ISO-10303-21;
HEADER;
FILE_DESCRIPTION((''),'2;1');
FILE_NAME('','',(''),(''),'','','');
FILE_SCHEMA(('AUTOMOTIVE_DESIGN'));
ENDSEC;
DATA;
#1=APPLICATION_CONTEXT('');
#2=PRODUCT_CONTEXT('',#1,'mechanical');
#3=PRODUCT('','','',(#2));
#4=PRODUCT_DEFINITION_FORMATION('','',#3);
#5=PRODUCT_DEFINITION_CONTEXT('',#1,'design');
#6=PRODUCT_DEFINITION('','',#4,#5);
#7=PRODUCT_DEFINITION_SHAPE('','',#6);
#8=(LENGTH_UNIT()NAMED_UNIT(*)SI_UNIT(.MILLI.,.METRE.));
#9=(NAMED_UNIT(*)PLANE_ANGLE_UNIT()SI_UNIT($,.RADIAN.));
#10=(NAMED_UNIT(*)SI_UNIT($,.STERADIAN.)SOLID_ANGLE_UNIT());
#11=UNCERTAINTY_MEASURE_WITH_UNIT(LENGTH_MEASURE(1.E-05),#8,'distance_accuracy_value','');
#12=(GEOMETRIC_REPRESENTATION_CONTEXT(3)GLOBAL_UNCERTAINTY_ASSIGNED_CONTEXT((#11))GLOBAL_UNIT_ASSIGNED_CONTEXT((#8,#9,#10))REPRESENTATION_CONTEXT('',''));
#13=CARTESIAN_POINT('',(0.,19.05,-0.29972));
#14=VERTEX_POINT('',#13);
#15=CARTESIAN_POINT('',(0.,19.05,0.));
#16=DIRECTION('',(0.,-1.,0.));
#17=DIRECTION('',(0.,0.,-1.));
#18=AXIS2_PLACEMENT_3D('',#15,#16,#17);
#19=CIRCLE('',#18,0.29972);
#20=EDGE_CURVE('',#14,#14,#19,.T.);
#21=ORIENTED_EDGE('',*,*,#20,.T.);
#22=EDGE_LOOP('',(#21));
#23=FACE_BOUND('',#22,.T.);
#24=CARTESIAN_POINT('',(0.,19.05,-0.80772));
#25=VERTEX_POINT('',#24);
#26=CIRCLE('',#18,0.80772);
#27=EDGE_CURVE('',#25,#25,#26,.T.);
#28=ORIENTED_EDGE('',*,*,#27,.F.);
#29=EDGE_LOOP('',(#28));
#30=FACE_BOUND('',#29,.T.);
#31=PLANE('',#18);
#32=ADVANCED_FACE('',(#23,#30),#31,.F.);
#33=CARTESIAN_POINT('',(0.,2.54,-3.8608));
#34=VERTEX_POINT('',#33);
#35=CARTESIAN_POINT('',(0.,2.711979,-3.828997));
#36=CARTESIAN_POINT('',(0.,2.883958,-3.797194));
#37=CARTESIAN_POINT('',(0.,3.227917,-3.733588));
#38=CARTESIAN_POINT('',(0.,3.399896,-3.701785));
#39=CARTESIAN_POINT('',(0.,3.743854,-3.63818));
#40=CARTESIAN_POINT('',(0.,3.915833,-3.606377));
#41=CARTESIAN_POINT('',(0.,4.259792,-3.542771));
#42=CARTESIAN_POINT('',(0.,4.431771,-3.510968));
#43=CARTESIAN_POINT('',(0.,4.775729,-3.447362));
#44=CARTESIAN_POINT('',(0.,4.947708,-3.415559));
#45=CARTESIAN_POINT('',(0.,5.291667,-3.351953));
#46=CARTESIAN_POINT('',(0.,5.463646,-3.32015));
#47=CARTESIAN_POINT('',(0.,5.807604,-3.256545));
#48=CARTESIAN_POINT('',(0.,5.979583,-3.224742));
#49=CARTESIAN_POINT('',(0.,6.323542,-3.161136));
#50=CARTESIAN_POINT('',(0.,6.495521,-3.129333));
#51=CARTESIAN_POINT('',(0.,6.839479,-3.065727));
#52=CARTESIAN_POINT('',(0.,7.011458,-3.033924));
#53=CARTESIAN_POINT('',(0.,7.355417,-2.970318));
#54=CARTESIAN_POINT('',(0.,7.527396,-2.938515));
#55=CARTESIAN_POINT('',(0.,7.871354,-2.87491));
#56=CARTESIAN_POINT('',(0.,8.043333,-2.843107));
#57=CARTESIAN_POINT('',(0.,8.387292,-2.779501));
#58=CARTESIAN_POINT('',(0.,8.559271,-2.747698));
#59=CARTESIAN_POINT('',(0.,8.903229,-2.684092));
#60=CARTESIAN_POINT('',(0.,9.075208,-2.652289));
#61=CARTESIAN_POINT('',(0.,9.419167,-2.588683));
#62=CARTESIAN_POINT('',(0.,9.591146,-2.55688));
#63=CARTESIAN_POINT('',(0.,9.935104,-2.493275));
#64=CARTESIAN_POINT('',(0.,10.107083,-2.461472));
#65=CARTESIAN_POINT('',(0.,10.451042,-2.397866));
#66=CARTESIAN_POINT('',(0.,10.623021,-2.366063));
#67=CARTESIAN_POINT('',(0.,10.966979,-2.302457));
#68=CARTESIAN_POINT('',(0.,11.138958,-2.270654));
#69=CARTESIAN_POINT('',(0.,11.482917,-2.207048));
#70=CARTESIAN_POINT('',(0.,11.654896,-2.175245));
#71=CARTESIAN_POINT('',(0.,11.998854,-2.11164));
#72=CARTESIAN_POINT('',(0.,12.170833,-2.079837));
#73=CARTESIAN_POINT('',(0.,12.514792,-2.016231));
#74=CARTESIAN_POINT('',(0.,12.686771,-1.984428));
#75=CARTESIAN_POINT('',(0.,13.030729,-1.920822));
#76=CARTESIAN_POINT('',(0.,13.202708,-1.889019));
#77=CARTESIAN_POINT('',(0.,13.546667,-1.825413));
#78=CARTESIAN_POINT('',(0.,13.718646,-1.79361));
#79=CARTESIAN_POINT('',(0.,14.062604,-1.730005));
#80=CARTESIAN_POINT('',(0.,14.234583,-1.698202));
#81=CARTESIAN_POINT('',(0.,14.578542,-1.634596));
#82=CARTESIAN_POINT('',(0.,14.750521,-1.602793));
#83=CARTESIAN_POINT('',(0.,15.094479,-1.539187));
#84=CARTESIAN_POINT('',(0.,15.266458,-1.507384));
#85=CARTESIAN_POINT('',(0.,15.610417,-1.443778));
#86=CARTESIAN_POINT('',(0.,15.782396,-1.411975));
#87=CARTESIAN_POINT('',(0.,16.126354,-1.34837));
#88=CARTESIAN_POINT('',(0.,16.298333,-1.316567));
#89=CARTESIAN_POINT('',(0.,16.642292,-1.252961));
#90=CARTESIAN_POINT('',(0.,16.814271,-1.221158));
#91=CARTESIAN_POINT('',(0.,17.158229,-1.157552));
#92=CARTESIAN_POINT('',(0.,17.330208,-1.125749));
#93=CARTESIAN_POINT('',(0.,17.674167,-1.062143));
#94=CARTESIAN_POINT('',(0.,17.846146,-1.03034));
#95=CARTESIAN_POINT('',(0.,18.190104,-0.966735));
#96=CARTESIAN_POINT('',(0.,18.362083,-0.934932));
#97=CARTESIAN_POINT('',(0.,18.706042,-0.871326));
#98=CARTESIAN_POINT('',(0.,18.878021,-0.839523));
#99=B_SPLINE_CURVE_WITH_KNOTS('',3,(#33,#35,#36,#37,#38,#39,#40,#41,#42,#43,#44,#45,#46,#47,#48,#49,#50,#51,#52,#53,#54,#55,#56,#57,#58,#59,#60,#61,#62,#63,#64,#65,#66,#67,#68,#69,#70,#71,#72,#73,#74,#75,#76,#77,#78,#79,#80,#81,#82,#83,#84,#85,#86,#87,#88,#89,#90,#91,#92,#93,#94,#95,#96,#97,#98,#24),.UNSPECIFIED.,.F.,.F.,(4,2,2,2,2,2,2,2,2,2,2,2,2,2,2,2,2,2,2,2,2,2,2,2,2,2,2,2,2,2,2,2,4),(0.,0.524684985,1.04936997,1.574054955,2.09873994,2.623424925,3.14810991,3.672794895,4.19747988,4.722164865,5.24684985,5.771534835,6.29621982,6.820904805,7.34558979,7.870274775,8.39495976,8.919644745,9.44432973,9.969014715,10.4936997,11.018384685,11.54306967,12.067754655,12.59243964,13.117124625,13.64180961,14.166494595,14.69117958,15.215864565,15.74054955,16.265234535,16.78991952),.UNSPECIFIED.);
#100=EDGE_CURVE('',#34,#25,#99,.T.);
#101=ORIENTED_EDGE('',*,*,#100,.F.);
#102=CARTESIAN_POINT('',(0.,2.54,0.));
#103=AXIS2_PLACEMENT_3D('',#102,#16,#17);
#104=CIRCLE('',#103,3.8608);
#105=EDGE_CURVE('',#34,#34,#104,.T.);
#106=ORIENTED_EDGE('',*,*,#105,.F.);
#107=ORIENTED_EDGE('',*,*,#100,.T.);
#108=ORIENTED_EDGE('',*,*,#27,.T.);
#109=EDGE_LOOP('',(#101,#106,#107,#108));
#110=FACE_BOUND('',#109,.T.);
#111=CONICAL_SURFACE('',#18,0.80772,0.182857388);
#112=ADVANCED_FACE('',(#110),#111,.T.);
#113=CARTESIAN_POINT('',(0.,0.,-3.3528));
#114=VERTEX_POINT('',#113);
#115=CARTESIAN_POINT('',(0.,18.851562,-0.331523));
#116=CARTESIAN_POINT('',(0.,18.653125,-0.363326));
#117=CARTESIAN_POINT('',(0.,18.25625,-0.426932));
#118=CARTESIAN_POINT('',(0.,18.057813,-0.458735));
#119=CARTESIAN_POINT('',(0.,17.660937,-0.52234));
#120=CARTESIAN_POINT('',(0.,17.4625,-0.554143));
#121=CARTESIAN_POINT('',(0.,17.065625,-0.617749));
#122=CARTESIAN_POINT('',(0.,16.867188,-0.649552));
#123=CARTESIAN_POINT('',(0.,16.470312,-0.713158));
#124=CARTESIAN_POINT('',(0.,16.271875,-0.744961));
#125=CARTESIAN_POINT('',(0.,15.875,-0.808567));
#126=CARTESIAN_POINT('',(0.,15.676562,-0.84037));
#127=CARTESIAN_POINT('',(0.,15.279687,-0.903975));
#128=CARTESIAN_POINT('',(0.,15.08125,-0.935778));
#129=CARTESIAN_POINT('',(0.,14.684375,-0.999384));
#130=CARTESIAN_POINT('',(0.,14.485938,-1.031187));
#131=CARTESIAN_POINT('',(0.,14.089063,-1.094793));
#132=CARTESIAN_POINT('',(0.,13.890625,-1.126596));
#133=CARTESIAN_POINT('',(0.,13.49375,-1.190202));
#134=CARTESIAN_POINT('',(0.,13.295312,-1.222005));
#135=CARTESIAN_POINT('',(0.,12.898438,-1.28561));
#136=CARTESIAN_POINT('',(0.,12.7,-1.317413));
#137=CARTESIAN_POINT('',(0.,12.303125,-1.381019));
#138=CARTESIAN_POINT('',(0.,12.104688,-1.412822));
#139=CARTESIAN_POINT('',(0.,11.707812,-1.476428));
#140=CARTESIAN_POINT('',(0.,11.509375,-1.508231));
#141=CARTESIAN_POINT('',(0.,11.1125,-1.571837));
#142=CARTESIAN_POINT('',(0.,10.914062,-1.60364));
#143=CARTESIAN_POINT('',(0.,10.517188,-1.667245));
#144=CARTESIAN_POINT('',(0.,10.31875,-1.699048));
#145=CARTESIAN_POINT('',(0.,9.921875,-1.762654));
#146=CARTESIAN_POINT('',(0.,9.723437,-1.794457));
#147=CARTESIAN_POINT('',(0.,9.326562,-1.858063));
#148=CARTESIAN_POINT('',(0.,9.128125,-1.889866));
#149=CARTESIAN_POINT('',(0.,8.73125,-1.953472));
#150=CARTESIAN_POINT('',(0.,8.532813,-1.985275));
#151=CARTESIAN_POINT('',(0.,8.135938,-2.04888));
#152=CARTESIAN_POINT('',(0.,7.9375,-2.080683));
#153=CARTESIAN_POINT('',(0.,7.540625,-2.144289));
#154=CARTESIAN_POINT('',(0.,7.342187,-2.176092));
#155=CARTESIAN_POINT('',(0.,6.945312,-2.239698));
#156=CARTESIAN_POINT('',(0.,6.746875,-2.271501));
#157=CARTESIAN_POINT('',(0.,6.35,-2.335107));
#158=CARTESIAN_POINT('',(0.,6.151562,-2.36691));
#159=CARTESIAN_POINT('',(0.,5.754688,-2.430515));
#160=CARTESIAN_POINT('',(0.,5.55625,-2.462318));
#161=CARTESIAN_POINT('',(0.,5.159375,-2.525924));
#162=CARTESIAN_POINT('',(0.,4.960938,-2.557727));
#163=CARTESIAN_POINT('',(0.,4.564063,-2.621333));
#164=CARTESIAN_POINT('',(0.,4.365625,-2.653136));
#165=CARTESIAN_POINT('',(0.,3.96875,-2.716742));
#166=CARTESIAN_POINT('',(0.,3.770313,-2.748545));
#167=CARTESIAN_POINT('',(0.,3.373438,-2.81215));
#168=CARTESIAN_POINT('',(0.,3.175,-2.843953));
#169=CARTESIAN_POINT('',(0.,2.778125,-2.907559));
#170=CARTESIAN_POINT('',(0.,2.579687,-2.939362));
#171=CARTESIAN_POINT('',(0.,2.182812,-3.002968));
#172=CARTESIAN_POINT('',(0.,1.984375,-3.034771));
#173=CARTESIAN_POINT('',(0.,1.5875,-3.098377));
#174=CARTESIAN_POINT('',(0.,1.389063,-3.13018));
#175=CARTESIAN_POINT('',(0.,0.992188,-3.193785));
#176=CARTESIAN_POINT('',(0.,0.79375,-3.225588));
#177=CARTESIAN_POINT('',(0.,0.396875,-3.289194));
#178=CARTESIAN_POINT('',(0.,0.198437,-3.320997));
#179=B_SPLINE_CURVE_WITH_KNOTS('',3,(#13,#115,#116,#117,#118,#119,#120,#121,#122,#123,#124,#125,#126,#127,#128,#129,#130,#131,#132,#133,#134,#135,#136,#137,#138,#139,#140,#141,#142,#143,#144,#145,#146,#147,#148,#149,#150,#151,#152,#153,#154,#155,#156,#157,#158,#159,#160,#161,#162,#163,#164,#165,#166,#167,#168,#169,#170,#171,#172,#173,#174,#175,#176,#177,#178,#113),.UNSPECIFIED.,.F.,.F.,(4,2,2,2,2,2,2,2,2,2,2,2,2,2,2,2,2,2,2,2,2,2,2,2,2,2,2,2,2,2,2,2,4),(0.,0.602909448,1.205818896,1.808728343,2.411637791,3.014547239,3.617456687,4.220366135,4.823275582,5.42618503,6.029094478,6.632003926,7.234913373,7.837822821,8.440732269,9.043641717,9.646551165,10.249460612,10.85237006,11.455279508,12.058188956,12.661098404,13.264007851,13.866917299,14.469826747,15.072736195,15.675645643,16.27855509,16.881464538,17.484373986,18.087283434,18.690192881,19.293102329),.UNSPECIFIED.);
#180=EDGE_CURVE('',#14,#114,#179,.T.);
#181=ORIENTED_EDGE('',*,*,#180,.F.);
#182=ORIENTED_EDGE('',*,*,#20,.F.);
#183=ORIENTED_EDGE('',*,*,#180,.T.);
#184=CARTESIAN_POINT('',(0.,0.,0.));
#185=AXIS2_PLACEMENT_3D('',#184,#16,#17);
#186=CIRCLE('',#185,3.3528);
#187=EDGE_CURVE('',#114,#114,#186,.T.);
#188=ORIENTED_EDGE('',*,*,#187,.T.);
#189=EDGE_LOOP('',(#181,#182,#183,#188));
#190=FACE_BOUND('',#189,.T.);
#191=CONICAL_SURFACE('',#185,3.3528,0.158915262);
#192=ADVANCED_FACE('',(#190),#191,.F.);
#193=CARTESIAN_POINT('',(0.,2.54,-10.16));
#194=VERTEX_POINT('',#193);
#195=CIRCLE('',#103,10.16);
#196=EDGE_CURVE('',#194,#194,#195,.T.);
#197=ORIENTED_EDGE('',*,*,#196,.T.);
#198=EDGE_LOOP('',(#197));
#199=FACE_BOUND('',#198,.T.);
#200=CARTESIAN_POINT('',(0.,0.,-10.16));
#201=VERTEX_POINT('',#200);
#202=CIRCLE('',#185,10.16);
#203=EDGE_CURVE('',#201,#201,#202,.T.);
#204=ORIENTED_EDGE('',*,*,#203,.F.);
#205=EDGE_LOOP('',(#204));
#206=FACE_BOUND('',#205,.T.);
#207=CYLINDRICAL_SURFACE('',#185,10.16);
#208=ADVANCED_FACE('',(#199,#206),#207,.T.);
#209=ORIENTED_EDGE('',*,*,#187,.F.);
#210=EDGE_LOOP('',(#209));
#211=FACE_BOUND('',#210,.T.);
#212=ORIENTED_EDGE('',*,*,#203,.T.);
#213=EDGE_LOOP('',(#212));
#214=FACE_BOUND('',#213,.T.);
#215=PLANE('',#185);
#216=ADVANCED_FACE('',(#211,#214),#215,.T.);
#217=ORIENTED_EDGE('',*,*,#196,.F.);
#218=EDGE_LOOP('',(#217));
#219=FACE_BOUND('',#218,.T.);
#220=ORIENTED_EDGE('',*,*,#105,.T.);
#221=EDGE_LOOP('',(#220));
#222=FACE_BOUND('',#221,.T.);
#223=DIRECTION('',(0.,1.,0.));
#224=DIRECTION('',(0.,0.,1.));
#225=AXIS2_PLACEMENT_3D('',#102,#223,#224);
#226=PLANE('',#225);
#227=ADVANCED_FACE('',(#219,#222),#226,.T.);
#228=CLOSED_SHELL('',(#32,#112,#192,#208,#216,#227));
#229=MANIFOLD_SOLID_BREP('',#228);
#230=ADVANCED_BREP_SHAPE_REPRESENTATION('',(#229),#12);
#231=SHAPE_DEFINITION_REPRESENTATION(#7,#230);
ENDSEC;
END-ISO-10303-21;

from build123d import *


with BuildPart() as part:
    # Sketch1 → Revolve1 (revolve)
    with BuildSketch(Plane.XY, mode=Mode.PRIVATE) as revolve1_sk:
        Polygon((10.16, 0), (10.16, 2.54), (3.8608, 2.54), (0.80772, 19.05), (0.29972, 19.05), (3.3528, 0), align=None)
    revolve(revolve1_sk.sketch.rotate(Axis((0, 0, 0), (0, 1, 0)), 90), axis=Axis((0, 0, 0), (0, 1, 0)))


solid = part.part
